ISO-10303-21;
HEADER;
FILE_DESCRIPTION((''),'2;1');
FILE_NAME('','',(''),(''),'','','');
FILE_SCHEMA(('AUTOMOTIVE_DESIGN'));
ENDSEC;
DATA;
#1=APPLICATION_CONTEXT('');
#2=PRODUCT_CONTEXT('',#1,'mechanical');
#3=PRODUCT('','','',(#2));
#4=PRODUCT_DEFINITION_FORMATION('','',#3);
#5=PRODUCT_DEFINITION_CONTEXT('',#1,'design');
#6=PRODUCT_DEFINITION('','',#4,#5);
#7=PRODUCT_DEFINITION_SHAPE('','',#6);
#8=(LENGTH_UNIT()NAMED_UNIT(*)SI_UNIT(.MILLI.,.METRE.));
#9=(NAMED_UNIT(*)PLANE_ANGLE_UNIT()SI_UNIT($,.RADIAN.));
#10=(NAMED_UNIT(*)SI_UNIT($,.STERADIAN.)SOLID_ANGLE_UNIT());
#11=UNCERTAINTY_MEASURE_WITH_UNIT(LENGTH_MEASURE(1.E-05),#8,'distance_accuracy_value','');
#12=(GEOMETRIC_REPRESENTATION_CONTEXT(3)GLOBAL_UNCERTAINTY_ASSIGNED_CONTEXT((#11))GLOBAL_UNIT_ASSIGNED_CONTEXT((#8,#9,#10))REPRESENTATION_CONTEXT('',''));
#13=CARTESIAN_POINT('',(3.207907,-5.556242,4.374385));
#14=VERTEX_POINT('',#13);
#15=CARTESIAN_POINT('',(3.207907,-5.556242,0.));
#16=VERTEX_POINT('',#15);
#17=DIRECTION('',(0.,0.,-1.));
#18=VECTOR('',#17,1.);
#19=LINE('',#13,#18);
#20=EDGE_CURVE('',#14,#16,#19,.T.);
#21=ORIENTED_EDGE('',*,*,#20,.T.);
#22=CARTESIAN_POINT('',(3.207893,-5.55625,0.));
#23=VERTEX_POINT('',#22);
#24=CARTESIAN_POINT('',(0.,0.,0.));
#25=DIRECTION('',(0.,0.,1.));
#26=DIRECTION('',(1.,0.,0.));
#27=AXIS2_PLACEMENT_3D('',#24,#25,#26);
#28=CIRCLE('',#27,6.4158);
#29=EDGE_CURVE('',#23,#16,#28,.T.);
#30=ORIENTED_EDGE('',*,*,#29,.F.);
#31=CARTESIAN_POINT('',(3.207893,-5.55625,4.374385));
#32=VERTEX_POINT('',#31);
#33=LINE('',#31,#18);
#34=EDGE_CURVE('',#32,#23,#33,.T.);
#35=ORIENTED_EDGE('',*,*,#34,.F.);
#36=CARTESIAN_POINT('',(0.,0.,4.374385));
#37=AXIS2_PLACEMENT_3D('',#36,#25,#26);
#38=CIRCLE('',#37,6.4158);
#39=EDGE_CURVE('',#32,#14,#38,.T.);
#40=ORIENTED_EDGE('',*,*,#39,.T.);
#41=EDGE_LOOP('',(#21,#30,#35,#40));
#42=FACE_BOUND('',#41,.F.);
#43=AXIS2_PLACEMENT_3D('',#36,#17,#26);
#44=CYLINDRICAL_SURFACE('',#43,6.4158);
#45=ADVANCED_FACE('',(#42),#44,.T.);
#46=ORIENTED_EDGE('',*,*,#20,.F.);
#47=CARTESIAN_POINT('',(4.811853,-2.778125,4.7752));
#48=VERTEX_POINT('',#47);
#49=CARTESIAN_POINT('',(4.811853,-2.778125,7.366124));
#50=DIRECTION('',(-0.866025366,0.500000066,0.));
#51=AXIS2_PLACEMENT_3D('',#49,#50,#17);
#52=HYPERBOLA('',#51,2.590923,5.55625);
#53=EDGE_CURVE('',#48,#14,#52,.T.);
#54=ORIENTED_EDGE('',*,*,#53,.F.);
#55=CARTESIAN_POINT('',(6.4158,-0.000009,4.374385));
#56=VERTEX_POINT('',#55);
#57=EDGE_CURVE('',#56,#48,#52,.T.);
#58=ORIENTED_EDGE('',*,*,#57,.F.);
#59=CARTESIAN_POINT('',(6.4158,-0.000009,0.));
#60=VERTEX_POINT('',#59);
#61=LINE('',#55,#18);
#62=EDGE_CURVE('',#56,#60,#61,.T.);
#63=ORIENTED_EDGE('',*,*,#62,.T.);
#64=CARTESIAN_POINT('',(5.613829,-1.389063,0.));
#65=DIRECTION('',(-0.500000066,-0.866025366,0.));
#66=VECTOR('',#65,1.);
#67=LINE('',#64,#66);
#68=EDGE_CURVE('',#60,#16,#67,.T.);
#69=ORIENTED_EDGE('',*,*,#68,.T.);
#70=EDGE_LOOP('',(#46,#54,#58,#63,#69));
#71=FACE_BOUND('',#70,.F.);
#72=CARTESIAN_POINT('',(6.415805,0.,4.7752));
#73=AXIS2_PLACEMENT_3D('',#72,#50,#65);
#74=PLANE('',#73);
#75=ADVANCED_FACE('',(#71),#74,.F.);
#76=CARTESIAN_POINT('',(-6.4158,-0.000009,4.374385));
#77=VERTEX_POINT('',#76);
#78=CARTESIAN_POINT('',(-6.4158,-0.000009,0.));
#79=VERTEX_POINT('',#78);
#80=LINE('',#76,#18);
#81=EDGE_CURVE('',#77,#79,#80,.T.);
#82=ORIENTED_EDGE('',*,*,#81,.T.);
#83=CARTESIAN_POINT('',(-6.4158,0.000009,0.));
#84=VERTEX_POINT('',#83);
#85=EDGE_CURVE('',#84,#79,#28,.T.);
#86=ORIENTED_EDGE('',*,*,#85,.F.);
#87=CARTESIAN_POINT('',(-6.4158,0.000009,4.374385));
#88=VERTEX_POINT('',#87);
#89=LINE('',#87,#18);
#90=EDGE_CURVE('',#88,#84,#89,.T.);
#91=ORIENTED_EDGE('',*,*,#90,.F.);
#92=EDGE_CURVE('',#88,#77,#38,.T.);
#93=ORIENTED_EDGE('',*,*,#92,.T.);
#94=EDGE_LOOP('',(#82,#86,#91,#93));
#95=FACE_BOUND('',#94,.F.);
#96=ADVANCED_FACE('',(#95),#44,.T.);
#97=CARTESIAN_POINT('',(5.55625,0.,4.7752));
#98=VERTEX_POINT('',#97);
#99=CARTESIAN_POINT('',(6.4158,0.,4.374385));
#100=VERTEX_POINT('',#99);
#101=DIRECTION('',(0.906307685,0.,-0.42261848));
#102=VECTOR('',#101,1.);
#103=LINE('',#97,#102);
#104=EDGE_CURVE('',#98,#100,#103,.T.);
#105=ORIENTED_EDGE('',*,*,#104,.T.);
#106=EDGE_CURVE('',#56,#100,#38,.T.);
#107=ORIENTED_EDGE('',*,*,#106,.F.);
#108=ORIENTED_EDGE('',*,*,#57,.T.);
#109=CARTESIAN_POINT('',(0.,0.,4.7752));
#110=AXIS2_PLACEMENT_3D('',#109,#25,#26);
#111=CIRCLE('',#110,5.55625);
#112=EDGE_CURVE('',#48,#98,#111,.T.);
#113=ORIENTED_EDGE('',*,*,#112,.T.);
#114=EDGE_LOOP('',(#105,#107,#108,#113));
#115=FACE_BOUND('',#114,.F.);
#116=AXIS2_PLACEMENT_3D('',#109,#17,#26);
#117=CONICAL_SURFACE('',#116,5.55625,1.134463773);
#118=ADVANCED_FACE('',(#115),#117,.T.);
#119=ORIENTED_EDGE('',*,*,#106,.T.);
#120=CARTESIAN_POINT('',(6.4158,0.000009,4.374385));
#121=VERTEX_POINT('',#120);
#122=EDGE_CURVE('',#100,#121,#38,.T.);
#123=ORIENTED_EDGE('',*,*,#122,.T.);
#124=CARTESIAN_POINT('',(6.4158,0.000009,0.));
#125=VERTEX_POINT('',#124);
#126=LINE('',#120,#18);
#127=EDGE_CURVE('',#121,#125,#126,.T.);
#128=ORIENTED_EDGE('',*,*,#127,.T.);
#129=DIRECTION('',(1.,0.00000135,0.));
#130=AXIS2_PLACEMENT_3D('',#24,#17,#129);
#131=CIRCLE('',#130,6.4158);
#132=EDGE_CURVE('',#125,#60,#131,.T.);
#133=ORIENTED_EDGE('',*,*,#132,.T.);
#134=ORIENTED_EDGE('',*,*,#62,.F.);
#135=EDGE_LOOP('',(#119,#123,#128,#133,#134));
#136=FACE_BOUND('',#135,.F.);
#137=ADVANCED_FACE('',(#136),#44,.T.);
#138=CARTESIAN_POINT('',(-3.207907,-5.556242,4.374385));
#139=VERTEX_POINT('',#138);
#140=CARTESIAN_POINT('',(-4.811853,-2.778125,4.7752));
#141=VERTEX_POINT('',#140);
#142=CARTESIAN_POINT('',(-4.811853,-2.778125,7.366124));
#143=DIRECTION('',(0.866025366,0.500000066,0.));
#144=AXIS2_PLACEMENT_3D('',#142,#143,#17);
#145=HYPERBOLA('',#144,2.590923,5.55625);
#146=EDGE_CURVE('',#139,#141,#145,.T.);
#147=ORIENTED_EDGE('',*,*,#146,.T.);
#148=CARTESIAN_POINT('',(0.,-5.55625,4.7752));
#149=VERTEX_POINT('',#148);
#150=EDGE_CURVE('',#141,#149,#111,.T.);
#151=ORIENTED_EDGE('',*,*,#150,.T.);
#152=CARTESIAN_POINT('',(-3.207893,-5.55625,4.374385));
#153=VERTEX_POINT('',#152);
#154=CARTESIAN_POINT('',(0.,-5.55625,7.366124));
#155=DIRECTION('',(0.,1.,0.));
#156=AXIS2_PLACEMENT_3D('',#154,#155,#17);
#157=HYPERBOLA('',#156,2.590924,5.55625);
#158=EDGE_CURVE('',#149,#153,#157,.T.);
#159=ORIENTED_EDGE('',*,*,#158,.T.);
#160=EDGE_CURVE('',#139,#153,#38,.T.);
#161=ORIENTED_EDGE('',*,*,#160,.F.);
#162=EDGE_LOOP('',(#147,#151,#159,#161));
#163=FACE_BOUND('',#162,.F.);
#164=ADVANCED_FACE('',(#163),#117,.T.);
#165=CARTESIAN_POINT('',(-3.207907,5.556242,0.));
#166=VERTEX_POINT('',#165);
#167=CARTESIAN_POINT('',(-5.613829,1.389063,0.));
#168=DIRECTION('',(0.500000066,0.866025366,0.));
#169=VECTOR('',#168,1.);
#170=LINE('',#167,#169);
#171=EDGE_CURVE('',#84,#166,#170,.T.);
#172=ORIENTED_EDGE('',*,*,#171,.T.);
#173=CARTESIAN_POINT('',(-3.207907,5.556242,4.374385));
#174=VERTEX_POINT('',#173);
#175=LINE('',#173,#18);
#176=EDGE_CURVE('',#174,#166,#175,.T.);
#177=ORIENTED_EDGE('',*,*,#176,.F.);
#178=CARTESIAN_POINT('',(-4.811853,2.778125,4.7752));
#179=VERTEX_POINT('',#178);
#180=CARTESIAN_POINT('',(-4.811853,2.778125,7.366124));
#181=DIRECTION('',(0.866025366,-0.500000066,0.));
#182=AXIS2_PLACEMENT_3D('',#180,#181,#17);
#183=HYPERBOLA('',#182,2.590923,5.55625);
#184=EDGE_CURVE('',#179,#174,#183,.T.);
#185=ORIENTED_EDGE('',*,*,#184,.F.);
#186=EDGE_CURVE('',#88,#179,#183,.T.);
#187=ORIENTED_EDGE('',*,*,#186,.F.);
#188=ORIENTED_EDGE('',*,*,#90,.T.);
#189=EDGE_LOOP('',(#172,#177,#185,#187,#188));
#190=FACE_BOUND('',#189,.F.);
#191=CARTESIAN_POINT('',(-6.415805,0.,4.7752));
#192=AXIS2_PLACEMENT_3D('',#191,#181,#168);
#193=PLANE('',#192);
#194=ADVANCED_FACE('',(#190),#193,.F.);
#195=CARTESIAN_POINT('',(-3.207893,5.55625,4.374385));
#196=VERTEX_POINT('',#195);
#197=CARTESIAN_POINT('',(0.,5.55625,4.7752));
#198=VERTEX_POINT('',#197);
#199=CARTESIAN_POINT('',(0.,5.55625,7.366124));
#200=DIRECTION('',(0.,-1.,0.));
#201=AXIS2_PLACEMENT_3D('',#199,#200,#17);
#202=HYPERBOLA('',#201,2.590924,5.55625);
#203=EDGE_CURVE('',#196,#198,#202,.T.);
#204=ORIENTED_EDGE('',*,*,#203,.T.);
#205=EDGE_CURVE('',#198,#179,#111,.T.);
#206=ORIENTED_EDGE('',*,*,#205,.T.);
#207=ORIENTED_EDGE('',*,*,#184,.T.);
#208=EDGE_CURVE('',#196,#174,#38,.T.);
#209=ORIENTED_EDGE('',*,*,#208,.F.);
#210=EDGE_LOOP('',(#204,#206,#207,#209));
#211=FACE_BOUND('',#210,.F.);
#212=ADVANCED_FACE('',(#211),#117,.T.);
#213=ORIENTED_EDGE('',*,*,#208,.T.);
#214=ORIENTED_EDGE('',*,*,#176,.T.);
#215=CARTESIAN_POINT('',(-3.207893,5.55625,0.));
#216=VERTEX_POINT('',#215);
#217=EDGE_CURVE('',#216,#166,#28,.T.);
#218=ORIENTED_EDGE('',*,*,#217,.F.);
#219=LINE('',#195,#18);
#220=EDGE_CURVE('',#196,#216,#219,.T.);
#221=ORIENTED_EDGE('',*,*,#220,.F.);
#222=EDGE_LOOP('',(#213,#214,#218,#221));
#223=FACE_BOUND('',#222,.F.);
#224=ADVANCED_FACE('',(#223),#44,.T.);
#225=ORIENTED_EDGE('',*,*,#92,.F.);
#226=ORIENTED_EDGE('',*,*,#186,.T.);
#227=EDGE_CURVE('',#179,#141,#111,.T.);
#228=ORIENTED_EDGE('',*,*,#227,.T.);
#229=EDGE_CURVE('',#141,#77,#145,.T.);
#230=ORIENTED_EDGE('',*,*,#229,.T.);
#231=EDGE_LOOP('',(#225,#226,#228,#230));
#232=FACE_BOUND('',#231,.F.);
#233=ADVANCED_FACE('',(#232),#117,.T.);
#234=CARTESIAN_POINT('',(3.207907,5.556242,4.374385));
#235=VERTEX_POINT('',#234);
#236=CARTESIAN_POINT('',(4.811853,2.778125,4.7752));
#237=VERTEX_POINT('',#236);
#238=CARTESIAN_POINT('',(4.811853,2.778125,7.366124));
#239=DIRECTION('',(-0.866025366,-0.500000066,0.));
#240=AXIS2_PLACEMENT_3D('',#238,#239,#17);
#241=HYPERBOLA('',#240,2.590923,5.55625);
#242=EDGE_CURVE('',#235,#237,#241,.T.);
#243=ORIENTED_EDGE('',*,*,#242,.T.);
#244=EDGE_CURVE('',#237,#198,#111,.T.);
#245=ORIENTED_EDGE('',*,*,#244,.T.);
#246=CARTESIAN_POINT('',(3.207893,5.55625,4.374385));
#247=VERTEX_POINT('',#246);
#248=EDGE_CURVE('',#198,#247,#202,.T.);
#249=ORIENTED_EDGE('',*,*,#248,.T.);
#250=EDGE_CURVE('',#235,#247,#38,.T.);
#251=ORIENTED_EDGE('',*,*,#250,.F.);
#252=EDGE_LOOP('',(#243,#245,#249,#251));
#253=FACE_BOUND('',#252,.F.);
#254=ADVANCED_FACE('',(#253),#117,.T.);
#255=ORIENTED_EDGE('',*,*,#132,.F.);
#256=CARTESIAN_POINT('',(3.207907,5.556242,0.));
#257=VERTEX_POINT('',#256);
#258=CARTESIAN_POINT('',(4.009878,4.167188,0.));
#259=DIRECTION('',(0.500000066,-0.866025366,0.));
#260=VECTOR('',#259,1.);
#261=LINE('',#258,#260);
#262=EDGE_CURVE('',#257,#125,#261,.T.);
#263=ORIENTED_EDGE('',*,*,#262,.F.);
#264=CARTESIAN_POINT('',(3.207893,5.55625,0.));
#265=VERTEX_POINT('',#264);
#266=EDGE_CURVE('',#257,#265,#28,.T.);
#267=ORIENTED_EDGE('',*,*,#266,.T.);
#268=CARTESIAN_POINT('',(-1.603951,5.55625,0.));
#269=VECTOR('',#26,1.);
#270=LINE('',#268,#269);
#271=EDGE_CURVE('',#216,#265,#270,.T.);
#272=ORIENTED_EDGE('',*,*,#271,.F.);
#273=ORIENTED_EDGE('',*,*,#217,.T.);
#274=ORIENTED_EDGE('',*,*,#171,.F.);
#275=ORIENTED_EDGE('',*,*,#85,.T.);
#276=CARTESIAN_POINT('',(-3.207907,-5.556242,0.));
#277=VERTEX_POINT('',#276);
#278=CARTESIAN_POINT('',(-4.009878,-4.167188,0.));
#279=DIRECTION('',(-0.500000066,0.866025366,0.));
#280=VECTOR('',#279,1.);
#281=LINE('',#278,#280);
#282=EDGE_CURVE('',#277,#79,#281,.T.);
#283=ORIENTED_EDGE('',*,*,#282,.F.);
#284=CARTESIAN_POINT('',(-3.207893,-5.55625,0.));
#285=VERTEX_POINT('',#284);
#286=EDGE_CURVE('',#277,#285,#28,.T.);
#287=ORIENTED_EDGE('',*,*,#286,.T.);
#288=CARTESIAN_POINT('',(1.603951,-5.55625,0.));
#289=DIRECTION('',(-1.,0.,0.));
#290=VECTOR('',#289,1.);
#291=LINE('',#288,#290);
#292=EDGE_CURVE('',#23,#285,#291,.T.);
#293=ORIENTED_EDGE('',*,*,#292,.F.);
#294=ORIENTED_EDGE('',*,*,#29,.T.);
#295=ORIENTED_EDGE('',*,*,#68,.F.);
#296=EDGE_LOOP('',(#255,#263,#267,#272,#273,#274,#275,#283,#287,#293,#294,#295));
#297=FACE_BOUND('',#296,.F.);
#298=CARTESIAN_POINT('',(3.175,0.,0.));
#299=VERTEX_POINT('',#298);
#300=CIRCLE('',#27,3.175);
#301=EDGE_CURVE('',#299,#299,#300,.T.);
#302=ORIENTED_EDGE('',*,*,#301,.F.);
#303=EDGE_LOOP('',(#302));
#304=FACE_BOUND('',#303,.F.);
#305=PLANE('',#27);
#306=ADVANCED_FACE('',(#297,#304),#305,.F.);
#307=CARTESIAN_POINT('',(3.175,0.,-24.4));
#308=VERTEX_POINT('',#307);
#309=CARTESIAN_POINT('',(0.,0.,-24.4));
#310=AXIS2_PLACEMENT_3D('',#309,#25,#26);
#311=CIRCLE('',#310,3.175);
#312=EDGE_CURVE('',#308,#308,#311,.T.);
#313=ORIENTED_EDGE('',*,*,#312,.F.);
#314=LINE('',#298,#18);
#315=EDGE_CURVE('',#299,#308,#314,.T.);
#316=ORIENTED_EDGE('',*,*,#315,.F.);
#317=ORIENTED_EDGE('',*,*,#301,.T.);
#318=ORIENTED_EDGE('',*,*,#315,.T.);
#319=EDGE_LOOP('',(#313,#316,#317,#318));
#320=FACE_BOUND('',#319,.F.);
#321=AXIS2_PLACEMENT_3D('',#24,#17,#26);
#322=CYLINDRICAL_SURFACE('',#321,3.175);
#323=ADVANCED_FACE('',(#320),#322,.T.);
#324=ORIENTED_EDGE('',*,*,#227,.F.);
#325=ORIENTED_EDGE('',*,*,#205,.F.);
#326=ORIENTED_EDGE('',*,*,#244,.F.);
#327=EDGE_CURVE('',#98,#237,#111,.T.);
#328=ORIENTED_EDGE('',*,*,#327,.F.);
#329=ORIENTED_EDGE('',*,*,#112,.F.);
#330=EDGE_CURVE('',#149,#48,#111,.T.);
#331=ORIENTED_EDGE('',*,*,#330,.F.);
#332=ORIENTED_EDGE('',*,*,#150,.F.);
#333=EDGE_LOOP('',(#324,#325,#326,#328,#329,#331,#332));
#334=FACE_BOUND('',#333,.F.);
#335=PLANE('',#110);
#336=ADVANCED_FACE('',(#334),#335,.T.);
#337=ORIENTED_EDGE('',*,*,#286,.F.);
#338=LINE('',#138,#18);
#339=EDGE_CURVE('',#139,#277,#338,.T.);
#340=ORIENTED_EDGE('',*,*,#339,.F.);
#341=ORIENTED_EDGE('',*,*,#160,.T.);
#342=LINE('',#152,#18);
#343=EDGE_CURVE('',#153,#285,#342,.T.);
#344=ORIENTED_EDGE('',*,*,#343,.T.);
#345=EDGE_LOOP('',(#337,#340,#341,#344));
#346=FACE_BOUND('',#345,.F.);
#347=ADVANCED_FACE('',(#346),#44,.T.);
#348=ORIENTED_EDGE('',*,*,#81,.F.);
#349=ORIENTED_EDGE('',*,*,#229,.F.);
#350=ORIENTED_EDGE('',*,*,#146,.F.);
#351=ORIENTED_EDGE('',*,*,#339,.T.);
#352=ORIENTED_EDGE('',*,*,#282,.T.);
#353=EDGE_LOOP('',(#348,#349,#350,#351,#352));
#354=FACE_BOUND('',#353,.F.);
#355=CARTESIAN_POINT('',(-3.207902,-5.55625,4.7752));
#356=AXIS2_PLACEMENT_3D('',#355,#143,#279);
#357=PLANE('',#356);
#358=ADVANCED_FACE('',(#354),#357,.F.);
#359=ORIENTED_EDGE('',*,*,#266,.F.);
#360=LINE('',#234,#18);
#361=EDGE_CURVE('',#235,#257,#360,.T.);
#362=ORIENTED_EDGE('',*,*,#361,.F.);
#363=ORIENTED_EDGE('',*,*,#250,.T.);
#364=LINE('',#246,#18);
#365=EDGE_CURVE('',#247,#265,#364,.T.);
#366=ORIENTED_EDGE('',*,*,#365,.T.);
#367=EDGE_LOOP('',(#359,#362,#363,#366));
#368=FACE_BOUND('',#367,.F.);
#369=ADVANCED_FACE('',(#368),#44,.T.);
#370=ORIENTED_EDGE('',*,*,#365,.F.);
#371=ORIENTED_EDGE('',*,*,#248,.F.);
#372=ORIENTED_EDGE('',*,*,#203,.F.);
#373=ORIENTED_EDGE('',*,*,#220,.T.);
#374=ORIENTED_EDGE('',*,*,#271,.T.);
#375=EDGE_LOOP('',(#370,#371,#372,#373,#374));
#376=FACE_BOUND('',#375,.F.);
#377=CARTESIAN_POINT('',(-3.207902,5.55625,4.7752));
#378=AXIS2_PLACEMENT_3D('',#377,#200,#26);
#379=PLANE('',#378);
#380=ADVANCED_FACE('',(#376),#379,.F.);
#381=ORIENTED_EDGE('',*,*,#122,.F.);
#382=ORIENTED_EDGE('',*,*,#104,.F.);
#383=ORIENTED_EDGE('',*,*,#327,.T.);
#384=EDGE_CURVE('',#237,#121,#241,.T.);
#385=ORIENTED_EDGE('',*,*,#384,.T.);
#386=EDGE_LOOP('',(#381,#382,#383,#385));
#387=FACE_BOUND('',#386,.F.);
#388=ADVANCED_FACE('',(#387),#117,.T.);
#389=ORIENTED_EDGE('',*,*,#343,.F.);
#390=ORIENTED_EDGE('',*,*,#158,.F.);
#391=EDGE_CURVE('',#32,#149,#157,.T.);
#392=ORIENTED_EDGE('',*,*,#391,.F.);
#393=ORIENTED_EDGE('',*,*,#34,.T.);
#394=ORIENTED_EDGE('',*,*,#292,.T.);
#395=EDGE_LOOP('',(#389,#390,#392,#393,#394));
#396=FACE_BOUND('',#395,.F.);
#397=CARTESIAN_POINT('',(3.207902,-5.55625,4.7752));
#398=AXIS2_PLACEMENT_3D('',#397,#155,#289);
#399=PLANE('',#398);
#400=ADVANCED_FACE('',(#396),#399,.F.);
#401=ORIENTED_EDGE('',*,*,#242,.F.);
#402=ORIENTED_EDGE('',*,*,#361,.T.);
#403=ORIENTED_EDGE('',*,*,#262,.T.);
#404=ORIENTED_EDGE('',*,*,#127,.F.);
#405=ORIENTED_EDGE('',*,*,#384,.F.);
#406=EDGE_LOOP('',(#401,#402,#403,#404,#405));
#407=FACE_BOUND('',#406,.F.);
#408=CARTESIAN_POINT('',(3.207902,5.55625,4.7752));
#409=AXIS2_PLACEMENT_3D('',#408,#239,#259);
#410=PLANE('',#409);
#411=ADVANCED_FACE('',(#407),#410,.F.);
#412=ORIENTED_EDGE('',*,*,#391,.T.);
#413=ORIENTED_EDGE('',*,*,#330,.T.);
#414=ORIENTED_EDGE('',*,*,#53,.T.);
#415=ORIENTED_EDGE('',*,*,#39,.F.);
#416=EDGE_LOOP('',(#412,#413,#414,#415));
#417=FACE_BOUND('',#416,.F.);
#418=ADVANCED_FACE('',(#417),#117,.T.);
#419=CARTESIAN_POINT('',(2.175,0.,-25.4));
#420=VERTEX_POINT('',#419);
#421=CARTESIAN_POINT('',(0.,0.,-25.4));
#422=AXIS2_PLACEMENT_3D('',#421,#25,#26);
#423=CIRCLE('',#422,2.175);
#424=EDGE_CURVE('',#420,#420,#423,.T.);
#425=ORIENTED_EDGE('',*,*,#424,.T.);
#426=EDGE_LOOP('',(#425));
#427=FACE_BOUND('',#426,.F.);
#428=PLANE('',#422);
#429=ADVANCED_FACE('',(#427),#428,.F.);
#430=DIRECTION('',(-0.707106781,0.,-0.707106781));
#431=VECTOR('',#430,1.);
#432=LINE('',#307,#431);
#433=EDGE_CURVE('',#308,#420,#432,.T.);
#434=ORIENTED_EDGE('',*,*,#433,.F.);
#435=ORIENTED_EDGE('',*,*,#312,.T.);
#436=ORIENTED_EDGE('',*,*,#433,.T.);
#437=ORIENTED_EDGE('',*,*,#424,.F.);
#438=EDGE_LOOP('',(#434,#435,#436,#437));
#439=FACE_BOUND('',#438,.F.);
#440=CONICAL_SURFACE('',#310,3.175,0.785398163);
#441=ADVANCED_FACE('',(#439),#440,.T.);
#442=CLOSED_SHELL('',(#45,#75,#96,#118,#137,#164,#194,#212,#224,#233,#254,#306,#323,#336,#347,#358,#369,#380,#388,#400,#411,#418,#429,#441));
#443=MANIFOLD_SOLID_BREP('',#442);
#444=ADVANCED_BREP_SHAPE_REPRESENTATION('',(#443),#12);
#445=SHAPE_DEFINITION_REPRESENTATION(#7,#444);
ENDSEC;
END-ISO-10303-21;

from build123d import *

# Parameters (mm, degrees)
SKETCH001_R  = 7.415805
POCKET_DEPTH = 30.1762
CHAMFER_SIZE = 1


with BuildPart() as part:
    # Sketch → Revolution (revolve)
    with BuildSketch(Plane.XZ):
        Polygon((0, 4.7752), (5.55625, 4.7752), (6.4158, 4.374385), (6.4158, 0), (3.175, 0), (3.175, -25.4), (0, -25.4), align=None)
    revolve(axis=Axis((0, 0, 0), (0, 0, 1)))

    # Sketch001 → Pocket (cut, through all)
    with BuildSketch(Plane(origin=(0, 0, 4.7752), x_dir=(-1, 0, 0), z_dir=(0, 0, 1))):
        Circle(SKETCH001_R)
        Polygon((-3.207902, 5.55625), (3.207902, 5.55625), (6.415805, 0), (3.207902, -5.55625), (-3.207902, -5.55625), (-6.415805, 0), align=None, mode=Mode.SUBTRACT)
    extrude(amount=-POCKET_DEPTH, mode=Mode.SUBTRACT)

    # Chamfer
    chamfer_edges = [part.edges().sort_by_distance(p)[0] for p in [
        (-3.175, 0, -25.4),
    ]]
    chamfer(chamfer_edges, length=CHAMFER_SIZE)


solid = part.part
